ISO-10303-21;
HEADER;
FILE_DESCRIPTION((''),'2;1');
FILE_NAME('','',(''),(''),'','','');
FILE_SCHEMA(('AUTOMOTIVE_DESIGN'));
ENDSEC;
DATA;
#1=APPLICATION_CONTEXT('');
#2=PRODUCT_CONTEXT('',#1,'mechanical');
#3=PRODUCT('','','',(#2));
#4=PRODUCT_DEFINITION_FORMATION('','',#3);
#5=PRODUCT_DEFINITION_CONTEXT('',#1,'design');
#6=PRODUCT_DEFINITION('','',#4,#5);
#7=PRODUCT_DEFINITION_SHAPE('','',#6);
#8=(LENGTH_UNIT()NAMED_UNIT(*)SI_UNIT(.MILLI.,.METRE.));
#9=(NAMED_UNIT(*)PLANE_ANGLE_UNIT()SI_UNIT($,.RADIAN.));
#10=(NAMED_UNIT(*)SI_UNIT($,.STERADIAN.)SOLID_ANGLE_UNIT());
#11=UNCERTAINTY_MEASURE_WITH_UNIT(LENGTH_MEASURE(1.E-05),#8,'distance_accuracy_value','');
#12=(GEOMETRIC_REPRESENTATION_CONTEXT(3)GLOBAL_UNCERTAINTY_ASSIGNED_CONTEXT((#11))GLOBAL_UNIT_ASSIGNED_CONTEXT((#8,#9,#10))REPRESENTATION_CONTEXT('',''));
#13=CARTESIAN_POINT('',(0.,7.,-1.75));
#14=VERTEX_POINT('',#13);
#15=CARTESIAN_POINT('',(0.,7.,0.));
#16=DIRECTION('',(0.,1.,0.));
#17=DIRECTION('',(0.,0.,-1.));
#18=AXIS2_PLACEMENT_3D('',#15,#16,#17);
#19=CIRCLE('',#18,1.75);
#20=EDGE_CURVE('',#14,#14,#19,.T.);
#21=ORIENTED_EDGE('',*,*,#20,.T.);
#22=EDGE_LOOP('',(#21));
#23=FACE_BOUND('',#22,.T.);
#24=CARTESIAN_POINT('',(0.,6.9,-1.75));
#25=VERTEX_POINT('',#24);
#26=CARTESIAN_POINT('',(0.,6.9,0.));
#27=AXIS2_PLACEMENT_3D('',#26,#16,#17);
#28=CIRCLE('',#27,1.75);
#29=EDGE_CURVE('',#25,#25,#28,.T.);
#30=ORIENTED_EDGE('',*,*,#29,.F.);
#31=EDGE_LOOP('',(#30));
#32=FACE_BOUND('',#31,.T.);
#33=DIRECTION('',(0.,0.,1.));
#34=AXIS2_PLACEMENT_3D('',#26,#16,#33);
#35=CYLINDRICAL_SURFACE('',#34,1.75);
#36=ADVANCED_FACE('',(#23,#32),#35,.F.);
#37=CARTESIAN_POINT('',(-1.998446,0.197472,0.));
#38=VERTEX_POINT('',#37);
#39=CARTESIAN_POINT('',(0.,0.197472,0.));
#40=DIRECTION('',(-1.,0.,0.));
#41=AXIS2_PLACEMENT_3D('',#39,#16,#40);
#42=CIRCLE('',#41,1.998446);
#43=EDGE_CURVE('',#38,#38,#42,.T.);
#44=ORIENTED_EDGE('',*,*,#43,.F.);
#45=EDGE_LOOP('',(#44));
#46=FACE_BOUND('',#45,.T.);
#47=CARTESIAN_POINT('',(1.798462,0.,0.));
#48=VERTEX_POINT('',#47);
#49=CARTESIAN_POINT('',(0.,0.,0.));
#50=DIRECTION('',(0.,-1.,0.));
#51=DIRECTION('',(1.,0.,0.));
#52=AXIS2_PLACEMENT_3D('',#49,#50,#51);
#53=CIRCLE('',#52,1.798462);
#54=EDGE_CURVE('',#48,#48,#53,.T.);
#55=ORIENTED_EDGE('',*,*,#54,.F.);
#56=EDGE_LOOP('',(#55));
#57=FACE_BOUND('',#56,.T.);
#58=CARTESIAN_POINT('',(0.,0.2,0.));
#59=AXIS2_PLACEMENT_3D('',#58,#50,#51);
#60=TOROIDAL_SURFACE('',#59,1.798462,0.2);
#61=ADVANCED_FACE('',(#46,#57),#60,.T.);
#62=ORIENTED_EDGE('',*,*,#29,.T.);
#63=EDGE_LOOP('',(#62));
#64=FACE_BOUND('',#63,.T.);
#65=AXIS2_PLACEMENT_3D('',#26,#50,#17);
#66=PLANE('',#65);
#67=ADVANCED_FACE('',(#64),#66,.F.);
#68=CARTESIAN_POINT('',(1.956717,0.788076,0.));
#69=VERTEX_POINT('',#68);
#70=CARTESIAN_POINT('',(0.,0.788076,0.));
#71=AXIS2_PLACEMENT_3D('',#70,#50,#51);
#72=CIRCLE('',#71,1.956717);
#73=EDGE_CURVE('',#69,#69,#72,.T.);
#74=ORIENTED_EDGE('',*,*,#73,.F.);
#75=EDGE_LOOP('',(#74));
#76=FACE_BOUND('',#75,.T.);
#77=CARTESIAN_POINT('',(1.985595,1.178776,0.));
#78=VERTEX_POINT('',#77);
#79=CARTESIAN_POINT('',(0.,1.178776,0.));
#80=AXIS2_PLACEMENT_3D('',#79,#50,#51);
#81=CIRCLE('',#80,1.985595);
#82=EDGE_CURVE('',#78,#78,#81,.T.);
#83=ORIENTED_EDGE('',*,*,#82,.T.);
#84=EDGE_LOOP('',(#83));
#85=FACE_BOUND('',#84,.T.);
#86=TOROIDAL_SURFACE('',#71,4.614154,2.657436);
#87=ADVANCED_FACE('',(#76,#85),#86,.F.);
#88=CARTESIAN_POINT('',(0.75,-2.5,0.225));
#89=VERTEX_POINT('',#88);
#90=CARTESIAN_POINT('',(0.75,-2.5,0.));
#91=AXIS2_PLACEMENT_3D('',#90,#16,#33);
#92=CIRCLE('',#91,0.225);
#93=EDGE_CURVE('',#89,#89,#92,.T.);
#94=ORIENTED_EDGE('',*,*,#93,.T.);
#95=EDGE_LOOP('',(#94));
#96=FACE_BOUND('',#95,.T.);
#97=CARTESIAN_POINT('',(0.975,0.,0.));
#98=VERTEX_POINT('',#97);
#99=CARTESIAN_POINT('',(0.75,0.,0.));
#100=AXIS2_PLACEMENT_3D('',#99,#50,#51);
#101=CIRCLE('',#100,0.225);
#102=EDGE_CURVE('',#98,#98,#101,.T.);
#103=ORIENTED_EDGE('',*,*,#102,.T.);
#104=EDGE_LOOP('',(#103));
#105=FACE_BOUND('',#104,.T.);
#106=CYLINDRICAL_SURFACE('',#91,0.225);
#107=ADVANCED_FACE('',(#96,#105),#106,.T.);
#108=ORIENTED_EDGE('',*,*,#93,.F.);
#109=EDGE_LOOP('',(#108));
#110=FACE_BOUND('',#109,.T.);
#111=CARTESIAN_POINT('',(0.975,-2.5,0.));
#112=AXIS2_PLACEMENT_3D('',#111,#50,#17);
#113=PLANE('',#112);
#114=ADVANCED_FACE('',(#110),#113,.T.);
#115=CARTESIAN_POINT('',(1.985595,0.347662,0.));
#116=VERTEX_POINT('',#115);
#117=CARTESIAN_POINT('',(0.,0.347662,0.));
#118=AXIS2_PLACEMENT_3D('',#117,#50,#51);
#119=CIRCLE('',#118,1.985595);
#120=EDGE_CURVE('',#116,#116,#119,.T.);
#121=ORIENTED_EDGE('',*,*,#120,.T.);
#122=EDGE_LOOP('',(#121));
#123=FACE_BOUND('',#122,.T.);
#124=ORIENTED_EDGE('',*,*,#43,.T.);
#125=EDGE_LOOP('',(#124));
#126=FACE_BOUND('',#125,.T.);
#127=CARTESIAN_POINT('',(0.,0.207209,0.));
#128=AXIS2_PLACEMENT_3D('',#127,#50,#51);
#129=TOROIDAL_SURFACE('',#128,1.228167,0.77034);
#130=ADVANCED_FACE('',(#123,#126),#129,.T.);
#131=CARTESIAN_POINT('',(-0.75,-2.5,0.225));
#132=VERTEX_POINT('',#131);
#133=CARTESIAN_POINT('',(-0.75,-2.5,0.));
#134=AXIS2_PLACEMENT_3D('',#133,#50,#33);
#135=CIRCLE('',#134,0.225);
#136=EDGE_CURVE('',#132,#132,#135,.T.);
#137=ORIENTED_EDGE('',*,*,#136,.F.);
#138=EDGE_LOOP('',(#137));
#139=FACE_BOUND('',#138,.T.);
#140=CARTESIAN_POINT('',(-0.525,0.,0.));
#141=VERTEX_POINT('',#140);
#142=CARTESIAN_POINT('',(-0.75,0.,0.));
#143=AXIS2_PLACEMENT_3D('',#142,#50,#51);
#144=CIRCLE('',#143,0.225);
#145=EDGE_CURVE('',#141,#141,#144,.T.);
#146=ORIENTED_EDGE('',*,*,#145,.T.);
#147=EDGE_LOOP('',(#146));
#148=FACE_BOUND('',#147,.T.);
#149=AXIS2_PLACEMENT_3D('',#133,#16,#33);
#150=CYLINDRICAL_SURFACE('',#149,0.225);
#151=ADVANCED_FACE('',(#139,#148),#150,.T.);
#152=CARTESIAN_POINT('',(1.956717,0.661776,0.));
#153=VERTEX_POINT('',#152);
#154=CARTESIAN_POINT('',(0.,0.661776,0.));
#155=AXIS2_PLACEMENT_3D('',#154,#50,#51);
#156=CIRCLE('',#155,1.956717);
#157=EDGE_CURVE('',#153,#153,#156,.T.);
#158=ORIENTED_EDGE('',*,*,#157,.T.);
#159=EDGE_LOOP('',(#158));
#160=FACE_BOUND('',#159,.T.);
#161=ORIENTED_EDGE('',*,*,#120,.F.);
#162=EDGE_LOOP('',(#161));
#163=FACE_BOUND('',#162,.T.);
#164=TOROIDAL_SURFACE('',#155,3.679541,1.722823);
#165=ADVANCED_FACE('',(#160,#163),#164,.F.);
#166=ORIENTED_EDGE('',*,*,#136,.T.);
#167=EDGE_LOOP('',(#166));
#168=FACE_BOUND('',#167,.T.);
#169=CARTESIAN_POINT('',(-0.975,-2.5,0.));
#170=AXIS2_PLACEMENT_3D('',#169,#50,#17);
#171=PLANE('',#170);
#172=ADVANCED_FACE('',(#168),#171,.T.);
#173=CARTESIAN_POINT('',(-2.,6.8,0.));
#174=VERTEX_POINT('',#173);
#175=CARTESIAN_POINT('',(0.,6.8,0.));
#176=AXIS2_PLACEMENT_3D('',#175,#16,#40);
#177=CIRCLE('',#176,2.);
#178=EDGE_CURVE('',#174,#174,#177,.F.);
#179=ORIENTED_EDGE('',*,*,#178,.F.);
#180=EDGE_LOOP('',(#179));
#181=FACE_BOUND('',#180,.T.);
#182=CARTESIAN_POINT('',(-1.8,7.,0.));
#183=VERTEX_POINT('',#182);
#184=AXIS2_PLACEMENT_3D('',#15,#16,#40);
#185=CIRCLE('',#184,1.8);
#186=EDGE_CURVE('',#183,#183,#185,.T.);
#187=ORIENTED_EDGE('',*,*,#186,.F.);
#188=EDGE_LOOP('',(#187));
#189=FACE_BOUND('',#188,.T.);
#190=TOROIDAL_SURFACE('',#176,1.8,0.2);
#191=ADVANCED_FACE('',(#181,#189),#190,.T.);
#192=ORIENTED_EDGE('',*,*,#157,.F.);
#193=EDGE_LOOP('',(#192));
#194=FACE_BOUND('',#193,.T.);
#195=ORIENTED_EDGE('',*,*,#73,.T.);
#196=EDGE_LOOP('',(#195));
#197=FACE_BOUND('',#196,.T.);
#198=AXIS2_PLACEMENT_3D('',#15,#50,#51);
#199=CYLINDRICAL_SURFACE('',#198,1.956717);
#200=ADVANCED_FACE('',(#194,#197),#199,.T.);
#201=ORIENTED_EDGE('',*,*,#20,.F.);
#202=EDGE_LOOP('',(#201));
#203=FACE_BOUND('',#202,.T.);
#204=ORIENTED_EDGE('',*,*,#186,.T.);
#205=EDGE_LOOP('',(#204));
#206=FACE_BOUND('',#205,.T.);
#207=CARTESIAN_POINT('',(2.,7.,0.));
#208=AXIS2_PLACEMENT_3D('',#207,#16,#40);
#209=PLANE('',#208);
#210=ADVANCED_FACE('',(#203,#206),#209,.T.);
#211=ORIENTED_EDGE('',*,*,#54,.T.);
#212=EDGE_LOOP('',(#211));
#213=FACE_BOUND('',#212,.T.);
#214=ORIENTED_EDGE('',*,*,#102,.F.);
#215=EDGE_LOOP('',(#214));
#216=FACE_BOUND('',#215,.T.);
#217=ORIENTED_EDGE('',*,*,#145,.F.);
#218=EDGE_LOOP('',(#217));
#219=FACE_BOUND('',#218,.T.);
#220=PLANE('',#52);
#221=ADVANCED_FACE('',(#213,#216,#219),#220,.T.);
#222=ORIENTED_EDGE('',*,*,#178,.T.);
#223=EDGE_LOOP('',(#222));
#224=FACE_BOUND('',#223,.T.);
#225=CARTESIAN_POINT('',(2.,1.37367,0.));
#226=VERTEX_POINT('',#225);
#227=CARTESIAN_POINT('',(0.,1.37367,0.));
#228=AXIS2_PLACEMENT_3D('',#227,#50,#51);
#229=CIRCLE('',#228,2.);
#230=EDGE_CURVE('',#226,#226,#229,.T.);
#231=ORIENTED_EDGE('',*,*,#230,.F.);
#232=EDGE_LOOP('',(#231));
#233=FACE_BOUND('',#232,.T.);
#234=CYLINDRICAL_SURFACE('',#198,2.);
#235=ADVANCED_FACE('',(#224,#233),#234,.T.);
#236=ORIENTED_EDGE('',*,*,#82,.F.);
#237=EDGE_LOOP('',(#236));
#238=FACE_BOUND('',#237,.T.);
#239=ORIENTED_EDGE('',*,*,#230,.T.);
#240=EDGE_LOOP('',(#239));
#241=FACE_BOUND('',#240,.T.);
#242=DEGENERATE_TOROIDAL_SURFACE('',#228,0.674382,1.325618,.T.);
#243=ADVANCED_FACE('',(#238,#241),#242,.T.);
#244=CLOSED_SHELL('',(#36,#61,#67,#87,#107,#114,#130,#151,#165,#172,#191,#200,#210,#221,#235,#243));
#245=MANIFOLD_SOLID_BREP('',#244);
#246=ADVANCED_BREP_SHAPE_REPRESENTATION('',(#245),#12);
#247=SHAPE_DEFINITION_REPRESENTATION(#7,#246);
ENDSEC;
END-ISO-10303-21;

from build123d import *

# Parameters (mm, degrees)
SKETCH2_R          = 1.75
CUT_EXTRUDE1_DEPTH = 0.1
SKETCH4_W          = 0.225
SKETCH4_H          = 2.5
FILLET1_R          = 0.2


with BuildPart() as part:
    # Sketch1 → Revolve1 (revolve)
    with BuildSketch(Plane.XY):
        with BuildLine():
            Line((2, 7), (0, 7))
            Line((0, 7), (0, 0))
            Line((0, 0), (1.970115999, 0))
            ThreePointArc((1.970115999, 0), (1.997744783, 0.172945308), (1.985594939, 0.347661679))
            ThreePointArc((1.985594939, 0.347661679), (1.963952003, 0.504056499), (1.956717438, 0.661775925))
            Line((1.956717438, 0.661775925), (1.956717438, 0.788075836))
            ThreePointArc((1.956717438, 0.788075836), (1.963946646, 0.983958609), (1.985594939, 1.178775635))
            ThreePointArc((1.985594939, 1.178775635), (1.99639383, 1.275956871), (2, 1.373669737))
            Line((2, 1.373669737), (2, 7))
        make_face()
    revolve(axis=Axis((0, 7, 0), (0, -1, 0)))

    # Sketch2 → Cut-Extrude1 (cut)
    with BuildSketch(Plane(origin=(0, 7, 0), x_dir=(-1, 0, 0), z_dir=(0, 1, 0))):
        with Locations(Location((0, 0, 0), (0, 0, 270))):
            Circle(SKETCH2_R)
    extrude(amount=-CUT_EXTRUDE1_DEPTH, mode=Mode.SUBTRACT)

    # Sketch4 → Revolve2 (revolve)
    with BuildSketch(Plane(origin=(0, 0, 0), x_dir=(-1, 0, 0), z_dir=(0, 0, -1)), mode=Mode.PRIVATE) as revolve2_sk:
        with Locations((-0.8625, -1.25)):
            Rectangle(SKETCH4_W, SKETCH4_H)
    revolve2 = revolve(revolve2_sk.sketch.rotate(Axis((0.75, -2.5, 0), (0, 1, 0)), 270), axis=Axis((0.75, -2.5, 0), (0, 1, 0)))

    # Fillet1
    fillet1_edges = [part.edges().sort_by_distance(p)[0] for p in [
        (-2, 7, 0),
        (-1.970115999, 0, 0),
    ]]
    fillet(fillet1_edges, radius=FILLET1_R)

    # Simetría3: Revolve2 across plane
    add(revolve2.mirror(Plane(origin=(0, 0, 0), x_dir=(0, 0, 1), z_dir=(1, 0, 0))))


solid = part.part
